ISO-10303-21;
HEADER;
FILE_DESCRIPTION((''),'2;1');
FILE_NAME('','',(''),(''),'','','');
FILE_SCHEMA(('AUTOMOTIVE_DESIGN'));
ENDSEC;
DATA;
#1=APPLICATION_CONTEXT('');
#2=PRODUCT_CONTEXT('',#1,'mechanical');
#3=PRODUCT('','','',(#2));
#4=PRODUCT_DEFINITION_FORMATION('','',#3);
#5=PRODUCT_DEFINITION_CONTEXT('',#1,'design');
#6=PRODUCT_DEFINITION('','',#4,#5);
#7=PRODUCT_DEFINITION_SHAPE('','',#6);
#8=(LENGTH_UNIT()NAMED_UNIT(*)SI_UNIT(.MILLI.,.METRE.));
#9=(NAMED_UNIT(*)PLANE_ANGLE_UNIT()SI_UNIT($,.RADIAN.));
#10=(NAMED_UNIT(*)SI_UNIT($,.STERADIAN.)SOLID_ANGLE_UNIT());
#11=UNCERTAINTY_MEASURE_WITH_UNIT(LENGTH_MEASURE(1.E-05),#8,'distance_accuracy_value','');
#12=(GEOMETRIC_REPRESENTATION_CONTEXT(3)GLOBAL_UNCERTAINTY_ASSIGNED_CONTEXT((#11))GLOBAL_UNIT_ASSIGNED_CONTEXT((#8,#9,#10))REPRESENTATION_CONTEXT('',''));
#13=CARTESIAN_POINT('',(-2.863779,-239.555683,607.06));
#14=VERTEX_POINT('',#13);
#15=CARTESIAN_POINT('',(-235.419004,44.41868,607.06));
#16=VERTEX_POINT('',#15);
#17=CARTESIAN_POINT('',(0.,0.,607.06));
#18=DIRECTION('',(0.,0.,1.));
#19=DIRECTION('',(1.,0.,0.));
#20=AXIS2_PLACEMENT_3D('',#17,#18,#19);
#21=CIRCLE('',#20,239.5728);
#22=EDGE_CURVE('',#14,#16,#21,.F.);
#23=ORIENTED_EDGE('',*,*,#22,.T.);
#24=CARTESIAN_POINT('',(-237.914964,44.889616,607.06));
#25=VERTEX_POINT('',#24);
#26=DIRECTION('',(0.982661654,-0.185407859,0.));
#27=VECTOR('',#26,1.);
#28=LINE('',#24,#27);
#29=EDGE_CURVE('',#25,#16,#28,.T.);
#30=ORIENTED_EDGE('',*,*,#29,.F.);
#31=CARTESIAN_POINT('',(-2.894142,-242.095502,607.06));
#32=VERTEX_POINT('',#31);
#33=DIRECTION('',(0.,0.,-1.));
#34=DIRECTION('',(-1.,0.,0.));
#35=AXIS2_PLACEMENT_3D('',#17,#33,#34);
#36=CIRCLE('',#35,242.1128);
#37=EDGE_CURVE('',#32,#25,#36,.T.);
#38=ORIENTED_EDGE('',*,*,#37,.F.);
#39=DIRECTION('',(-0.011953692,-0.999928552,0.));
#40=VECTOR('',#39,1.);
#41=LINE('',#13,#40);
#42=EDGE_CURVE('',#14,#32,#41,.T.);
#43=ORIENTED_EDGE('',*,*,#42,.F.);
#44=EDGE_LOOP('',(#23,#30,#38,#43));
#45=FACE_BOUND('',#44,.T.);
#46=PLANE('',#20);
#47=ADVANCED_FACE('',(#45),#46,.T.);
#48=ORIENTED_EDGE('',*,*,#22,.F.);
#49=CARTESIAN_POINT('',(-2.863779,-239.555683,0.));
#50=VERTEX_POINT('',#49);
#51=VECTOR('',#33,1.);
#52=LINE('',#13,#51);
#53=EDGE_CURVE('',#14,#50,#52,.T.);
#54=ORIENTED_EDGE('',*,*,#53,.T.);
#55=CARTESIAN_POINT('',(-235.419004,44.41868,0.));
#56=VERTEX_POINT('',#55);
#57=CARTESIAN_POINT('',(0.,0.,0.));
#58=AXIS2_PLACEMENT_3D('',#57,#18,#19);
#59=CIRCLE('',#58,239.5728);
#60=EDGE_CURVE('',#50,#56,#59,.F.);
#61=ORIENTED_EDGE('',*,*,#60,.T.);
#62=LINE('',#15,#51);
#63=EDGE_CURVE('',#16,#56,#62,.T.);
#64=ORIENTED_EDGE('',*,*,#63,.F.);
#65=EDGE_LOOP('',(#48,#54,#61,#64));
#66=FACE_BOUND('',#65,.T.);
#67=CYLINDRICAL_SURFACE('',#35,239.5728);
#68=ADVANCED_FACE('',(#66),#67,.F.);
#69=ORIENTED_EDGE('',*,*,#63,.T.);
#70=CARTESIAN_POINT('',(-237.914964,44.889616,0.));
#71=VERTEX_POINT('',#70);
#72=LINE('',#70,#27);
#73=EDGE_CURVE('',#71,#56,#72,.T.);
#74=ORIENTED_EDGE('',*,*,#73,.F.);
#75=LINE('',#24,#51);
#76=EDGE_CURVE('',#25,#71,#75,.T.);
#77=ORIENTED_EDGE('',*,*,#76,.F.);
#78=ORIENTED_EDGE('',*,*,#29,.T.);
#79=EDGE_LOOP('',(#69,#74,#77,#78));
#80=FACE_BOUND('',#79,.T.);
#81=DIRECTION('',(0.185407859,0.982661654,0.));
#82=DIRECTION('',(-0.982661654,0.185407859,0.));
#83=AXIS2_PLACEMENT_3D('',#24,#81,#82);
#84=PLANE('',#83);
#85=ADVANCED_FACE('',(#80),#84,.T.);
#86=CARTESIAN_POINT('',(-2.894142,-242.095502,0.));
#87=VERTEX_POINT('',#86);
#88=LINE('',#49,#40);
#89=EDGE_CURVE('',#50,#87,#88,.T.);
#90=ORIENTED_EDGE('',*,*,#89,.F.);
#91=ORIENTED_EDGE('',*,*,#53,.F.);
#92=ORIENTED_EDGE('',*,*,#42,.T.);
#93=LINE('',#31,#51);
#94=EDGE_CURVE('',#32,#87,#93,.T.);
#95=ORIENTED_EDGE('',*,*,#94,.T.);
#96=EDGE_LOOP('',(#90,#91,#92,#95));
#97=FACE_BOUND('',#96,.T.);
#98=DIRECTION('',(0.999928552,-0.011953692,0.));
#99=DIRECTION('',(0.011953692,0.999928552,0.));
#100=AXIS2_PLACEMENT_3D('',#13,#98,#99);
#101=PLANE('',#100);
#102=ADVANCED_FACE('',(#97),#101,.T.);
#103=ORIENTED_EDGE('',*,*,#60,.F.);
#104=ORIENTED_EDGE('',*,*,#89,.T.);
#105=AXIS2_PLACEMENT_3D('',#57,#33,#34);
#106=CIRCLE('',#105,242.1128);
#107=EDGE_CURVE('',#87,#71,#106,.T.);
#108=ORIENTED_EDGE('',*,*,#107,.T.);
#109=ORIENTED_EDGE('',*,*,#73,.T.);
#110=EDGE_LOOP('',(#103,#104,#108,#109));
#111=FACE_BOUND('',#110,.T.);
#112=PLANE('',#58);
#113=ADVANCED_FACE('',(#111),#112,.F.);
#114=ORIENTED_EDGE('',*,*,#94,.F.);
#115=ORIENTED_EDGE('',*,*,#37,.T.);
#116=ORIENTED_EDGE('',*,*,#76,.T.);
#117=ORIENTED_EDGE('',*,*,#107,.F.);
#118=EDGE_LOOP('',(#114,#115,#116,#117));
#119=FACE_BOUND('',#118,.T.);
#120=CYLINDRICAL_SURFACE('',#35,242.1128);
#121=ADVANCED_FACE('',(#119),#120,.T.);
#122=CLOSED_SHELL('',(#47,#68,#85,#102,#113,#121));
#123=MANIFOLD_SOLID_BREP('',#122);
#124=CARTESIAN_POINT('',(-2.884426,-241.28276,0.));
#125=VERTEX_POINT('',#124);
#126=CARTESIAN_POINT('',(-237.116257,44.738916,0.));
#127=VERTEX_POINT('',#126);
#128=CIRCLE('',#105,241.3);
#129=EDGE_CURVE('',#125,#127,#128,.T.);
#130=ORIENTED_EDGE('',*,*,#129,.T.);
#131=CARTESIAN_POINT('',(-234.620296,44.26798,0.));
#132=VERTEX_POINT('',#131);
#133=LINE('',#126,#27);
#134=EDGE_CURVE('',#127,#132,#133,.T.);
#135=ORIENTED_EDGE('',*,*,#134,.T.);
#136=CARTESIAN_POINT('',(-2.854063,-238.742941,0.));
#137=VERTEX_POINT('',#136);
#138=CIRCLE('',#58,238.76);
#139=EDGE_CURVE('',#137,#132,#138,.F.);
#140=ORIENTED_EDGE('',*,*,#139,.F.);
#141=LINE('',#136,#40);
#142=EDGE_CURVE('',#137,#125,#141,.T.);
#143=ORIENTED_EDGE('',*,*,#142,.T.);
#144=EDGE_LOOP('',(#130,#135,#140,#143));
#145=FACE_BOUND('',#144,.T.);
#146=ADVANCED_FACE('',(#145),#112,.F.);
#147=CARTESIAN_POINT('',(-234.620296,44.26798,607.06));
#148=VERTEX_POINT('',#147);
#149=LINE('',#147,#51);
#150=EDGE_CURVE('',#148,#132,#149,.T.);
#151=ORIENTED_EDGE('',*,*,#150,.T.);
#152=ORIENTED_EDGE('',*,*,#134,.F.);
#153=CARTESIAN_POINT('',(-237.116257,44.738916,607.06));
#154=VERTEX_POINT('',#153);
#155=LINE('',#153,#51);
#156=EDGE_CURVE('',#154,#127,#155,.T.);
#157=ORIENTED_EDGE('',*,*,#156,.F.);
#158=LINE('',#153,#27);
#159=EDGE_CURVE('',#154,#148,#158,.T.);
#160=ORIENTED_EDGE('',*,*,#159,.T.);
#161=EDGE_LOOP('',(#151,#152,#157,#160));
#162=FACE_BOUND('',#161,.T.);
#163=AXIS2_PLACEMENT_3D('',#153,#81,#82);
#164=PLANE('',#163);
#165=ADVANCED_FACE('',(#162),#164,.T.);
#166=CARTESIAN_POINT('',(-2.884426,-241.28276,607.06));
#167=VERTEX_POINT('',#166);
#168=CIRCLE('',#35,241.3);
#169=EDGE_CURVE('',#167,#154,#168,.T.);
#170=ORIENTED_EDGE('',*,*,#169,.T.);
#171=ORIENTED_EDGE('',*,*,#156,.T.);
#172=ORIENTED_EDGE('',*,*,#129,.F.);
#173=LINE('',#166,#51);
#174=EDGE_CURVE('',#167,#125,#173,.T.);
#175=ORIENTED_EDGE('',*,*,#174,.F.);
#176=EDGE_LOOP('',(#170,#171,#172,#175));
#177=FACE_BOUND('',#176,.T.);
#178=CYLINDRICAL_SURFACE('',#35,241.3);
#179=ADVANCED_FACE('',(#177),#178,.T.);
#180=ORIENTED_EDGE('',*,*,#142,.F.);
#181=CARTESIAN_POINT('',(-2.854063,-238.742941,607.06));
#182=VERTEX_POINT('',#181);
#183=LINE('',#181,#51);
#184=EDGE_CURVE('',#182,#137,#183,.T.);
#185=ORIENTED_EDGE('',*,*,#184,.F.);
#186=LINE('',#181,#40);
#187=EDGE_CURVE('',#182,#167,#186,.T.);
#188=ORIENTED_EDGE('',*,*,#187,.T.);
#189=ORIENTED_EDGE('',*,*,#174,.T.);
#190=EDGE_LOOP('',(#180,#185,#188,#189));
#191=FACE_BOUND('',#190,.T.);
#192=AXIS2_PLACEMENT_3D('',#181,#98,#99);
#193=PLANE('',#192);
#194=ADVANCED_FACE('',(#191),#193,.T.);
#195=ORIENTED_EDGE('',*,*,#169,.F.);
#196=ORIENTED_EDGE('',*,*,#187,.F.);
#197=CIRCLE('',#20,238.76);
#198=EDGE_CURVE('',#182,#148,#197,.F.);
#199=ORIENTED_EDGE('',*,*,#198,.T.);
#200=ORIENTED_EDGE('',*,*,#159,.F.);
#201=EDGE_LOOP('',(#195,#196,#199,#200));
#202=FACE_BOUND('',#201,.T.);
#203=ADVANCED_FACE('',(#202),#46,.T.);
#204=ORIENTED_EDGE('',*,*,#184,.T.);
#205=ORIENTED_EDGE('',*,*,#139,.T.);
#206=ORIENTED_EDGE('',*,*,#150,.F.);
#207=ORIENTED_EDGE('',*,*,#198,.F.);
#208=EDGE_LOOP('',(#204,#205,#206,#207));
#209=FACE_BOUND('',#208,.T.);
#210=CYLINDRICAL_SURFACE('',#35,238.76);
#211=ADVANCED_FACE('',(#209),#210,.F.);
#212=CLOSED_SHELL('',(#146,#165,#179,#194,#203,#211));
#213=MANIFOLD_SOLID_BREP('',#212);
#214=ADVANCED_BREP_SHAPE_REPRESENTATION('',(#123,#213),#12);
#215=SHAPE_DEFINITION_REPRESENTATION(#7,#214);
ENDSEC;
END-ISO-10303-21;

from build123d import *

# Parameters (mm, degrees)
EXTRUDE_THIN1_DEPTH   = 607.06
EXTRUDE_THIN1_2_DEPTH = 607.06


with BuildPart() as part:
    # Sketch1 → Extrude-Thin1 (new body)
    with BuildSketch(Plane.XY):
        with BuildLine():
            ThreePointArc((-2.884425824, -241.282759615), (-186.687390405, -152.883969938), (-237.11625705, 44.738916424))
            Line((-237.11625705, 44.738916424), (-234.620296449, 44.267980462))
            ThreePointArc((-234.620296449, 44.267980462), (-184.722259979, -151.274664991), (-2.854063447, -238.742941093))
            Line((-2.854063447, -238.742941093), (-2.884425824, -241.282759615))
        make_face()
    extrude(amount=EXTRUDE_THIN1_DEPTH)


with BuildPart() as body_2:
    # Sketch1 → Extrude-Thin1 2 (new body)
    with BuildSketch(Plane.XY):
        with BuildLine():
            ThreePointArc((-2.894141785, -242.095501543), (-187.316232141, -153.39894752), (-237.914964442, 44.889615932))
            Line((-237.914964442, 44.889615932), (-235.419003841, 44.41867997))
            ThreePointArc((-235.419003841, 44.41867997), (-185.351101716, -151.789642574), (-2.863779408, -239.55568302))
            Line((-2.863779408, -239.55568302), (-2.894141785, -242.095501543))
        make_face()
    extrude(amount=EXTRUDE_THIN1_2_DEPTH)


solid = Compound([part.part, body_2.part])
